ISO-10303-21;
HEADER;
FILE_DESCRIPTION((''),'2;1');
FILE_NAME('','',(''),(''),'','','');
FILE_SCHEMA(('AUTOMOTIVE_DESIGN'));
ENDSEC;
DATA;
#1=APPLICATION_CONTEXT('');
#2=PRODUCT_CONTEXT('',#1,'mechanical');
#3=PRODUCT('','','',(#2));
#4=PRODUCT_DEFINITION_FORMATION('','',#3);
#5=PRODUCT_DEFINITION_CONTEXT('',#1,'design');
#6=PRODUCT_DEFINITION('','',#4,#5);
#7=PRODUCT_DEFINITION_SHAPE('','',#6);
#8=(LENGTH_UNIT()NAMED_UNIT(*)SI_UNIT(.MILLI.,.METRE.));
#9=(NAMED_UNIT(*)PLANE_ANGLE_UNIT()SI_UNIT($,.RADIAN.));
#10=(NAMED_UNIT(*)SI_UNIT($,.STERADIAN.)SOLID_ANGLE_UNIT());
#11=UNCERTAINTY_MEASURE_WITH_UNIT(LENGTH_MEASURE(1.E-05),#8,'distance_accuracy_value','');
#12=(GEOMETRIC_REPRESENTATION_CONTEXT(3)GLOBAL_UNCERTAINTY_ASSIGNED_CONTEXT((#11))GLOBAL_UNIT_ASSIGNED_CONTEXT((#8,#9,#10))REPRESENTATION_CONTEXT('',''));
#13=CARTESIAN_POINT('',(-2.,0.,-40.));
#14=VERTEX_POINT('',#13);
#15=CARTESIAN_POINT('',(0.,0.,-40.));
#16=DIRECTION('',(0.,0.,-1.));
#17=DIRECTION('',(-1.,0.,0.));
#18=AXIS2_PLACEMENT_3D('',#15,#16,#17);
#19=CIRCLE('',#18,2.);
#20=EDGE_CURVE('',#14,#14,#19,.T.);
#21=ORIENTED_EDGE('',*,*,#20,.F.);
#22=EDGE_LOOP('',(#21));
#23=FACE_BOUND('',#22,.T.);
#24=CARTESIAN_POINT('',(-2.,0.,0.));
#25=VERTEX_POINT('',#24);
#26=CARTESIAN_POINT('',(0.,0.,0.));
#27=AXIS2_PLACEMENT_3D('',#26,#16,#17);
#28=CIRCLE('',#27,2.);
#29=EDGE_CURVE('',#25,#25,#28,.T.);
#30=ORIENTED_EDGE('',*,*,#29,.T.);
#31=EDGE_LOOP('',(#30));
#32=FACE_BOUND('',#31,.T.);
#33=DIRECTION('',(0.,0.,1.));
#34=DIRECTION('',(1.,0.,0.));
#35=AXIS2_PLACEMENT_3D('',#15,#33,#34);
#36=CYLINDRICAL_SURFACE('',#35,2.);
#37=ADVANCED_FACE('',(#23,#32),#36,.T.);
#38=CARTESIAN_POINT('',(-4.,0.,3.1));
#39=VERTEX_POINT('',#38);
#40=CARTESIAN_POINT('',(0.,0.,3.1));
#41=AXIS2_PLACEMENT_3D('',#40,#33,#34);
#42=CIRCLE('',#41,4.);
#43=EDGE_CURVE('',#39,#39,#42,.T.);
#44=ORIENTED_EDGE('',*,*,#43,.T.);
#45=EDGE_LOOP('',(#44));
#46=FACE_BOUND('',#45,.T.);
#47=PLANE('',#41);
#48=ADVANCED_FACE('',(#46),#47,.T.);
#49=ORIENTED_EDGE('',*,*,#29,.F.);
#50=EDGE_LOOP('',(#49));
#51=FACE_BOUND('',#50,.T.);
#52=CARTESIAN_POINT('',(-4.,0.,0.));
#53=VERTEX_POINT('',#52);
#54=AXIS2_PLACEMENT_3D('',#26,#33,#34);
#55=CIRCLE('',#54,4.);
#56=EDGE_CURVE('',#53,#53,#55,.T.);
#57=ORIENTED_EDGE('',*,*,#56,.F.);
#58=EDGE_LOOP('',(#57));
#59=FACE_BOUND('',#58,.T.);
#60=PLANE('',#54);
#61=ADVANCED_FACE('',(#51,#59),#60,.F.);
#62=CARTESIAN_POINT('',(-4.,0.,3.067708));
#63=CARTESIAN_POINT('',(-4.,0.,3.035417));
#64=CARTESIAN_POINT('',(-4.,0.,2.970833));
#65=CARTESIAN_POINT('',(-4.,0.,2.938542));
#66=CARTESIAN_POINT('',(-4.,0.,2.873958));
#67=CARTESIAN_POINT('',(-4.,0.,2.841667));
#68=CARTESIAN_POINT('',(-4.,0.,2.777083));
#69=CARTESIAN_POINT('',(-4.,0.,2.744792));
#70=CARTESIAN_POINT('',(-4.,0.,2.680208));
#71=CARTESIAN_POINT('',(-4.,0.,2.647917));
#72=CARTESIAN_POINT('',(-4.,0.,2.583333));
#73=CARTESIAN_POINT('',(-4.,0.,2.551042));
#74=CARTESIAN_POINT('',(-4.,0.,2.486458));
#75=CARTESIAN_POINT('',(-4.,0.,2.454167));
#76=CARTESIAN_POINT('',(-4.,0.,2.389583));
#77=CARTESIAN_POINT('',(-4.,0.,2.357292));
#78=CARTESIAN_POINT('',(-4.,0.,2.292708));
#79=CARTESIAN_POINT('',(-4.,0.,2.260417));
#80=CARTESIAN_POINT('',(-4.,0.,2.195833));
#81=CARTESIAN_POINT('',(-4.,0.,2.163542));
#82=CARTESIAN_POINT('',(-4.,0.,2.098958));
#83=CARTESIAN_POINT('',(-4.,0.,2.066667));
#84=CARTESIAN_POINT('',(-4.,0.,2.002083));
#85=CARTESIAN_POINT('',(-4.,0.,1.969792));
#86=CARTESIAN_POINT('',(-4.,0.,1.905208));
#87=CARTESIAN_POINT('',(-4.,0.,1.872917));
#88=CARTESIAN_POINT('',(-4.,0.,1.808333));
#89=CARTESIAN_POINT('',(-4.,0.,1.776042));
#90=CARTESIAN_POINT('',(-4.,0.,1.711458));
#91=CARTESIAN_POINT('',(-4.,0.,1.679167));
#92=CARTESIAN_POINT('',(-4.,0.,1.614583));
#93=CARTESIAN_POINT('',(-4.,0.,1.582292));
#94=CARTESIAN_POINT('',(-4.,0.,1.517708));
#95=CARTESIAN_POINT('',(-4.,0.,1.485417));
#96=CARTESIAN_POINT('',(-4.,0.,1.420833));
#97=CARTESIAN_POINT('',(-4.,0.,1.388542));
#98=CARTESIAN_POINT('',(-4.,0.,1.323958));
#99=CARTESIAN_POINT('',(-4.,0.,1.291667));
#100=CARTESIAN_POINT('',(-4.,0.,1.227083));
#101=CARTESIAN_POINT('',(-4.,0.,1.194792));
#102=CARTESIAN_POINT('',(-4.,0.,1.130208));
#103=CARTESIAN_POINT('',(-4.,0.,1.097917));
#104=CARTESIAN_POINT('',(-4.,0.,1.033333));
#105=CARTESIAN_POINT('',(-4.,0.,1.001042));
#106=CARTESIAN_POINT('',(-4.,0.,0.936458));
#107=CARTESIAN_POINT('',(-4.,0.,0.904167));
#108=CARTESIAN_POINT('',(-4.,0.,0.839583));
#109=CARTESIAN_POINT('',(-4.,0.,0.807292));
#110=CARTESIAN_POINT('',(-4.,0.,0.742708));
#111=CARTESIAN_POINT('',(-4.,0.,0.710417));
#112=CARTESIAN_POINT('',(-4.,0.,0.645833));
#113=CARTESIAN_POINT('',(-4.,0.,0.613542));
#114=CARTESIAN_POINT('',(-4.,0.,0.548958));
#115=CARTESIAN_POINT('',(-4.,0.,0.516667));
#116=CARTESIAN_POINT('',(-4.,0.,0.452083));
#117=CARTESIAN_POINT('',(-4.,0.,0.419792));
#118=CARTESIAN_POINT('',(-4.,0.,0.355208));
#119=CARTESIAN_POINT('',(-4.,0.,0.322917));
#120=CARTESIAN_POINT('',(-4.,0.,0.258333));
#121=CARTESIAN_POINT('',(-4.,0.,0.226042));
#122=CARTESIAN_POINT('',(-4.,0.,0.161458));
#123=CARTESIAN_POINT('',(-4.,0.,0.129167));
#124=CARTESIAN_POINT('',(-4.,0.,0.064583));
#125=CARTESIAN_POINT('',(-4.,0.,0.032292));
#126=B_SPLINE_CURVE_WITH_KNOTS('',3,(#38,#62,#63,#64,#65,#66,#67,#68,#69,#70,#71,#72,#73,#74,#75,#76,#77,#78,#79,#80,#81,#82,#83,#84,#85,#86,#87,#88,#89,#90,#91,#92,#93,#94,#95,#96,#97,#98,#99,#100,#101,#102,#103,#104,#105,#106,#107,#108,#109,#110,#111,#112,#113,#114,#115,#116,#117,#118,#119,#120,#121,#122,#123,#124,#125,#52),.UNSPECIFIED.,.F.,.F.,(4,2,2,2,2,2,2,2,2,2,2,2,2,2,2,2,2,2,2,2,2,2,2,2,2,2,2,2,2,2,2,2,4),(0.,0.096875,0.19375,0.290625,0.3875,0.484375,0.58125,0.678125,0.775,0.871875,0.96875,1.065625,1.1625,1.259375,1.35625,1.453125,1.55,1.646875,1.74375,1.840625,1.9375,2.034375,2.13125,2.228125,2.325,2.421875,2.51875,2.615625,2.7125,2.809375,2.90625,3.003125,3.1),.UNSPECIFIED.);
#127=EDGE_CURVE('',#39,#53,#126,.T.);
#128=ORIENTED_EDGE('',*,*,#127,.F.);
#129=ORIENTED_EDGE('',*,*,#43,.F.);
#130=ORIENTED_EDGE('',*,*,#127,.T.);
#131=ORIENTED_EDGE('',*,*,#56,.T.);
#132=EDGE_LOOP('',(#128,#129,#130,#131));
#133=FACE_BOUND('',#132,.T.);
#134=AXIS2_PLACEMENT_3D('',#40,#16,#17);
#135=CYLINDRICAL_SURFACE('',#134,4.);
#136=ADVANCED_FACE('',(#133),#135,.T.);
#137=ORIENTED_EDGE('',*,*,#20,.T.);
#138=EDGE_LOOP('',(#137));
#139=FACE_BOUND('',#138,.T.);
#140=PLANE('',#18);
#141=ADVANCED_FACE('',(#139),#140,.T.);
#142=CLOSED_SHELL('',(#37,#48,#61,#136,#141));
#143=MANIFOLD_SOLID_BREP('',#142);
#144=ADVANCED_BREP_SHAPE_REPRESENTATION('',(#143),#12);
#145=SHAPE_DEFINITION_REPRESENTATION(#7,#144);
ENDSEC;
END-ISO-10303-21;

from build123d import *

# Parameters (mm, degrees)
ESQUISSE1_R        = 4
BOSS_EXTRU_1_DEPTH = 3.1
ESQUISSE2_R        = 2
BOSS_EXTRU_2_DEPTH = 40


with BuildPart() as part:
    # Esquisse1 → Boss.-Extru.1 (new body)
    with BuildSketch(Plane.XY):
        with Locations(Location((0, 0, 0), (0, 0, 180))):
            Circle(ESQUISSE1_R)
    extrude(amount=BOSS_EXTRU_1_DEPTH)

    # Esquisse2 → Boss.-Extru.2 (add)
    with BuildSketch(Plane(origin=(0, 0, 0), x_dir=(-1, 0, 0), z_dir=(0, 0, -1))):
        Circle(ESQUISSE2_R)
    extrude(amount=BOSS_EXTRU_2_DEPTH)


solid = part.part
